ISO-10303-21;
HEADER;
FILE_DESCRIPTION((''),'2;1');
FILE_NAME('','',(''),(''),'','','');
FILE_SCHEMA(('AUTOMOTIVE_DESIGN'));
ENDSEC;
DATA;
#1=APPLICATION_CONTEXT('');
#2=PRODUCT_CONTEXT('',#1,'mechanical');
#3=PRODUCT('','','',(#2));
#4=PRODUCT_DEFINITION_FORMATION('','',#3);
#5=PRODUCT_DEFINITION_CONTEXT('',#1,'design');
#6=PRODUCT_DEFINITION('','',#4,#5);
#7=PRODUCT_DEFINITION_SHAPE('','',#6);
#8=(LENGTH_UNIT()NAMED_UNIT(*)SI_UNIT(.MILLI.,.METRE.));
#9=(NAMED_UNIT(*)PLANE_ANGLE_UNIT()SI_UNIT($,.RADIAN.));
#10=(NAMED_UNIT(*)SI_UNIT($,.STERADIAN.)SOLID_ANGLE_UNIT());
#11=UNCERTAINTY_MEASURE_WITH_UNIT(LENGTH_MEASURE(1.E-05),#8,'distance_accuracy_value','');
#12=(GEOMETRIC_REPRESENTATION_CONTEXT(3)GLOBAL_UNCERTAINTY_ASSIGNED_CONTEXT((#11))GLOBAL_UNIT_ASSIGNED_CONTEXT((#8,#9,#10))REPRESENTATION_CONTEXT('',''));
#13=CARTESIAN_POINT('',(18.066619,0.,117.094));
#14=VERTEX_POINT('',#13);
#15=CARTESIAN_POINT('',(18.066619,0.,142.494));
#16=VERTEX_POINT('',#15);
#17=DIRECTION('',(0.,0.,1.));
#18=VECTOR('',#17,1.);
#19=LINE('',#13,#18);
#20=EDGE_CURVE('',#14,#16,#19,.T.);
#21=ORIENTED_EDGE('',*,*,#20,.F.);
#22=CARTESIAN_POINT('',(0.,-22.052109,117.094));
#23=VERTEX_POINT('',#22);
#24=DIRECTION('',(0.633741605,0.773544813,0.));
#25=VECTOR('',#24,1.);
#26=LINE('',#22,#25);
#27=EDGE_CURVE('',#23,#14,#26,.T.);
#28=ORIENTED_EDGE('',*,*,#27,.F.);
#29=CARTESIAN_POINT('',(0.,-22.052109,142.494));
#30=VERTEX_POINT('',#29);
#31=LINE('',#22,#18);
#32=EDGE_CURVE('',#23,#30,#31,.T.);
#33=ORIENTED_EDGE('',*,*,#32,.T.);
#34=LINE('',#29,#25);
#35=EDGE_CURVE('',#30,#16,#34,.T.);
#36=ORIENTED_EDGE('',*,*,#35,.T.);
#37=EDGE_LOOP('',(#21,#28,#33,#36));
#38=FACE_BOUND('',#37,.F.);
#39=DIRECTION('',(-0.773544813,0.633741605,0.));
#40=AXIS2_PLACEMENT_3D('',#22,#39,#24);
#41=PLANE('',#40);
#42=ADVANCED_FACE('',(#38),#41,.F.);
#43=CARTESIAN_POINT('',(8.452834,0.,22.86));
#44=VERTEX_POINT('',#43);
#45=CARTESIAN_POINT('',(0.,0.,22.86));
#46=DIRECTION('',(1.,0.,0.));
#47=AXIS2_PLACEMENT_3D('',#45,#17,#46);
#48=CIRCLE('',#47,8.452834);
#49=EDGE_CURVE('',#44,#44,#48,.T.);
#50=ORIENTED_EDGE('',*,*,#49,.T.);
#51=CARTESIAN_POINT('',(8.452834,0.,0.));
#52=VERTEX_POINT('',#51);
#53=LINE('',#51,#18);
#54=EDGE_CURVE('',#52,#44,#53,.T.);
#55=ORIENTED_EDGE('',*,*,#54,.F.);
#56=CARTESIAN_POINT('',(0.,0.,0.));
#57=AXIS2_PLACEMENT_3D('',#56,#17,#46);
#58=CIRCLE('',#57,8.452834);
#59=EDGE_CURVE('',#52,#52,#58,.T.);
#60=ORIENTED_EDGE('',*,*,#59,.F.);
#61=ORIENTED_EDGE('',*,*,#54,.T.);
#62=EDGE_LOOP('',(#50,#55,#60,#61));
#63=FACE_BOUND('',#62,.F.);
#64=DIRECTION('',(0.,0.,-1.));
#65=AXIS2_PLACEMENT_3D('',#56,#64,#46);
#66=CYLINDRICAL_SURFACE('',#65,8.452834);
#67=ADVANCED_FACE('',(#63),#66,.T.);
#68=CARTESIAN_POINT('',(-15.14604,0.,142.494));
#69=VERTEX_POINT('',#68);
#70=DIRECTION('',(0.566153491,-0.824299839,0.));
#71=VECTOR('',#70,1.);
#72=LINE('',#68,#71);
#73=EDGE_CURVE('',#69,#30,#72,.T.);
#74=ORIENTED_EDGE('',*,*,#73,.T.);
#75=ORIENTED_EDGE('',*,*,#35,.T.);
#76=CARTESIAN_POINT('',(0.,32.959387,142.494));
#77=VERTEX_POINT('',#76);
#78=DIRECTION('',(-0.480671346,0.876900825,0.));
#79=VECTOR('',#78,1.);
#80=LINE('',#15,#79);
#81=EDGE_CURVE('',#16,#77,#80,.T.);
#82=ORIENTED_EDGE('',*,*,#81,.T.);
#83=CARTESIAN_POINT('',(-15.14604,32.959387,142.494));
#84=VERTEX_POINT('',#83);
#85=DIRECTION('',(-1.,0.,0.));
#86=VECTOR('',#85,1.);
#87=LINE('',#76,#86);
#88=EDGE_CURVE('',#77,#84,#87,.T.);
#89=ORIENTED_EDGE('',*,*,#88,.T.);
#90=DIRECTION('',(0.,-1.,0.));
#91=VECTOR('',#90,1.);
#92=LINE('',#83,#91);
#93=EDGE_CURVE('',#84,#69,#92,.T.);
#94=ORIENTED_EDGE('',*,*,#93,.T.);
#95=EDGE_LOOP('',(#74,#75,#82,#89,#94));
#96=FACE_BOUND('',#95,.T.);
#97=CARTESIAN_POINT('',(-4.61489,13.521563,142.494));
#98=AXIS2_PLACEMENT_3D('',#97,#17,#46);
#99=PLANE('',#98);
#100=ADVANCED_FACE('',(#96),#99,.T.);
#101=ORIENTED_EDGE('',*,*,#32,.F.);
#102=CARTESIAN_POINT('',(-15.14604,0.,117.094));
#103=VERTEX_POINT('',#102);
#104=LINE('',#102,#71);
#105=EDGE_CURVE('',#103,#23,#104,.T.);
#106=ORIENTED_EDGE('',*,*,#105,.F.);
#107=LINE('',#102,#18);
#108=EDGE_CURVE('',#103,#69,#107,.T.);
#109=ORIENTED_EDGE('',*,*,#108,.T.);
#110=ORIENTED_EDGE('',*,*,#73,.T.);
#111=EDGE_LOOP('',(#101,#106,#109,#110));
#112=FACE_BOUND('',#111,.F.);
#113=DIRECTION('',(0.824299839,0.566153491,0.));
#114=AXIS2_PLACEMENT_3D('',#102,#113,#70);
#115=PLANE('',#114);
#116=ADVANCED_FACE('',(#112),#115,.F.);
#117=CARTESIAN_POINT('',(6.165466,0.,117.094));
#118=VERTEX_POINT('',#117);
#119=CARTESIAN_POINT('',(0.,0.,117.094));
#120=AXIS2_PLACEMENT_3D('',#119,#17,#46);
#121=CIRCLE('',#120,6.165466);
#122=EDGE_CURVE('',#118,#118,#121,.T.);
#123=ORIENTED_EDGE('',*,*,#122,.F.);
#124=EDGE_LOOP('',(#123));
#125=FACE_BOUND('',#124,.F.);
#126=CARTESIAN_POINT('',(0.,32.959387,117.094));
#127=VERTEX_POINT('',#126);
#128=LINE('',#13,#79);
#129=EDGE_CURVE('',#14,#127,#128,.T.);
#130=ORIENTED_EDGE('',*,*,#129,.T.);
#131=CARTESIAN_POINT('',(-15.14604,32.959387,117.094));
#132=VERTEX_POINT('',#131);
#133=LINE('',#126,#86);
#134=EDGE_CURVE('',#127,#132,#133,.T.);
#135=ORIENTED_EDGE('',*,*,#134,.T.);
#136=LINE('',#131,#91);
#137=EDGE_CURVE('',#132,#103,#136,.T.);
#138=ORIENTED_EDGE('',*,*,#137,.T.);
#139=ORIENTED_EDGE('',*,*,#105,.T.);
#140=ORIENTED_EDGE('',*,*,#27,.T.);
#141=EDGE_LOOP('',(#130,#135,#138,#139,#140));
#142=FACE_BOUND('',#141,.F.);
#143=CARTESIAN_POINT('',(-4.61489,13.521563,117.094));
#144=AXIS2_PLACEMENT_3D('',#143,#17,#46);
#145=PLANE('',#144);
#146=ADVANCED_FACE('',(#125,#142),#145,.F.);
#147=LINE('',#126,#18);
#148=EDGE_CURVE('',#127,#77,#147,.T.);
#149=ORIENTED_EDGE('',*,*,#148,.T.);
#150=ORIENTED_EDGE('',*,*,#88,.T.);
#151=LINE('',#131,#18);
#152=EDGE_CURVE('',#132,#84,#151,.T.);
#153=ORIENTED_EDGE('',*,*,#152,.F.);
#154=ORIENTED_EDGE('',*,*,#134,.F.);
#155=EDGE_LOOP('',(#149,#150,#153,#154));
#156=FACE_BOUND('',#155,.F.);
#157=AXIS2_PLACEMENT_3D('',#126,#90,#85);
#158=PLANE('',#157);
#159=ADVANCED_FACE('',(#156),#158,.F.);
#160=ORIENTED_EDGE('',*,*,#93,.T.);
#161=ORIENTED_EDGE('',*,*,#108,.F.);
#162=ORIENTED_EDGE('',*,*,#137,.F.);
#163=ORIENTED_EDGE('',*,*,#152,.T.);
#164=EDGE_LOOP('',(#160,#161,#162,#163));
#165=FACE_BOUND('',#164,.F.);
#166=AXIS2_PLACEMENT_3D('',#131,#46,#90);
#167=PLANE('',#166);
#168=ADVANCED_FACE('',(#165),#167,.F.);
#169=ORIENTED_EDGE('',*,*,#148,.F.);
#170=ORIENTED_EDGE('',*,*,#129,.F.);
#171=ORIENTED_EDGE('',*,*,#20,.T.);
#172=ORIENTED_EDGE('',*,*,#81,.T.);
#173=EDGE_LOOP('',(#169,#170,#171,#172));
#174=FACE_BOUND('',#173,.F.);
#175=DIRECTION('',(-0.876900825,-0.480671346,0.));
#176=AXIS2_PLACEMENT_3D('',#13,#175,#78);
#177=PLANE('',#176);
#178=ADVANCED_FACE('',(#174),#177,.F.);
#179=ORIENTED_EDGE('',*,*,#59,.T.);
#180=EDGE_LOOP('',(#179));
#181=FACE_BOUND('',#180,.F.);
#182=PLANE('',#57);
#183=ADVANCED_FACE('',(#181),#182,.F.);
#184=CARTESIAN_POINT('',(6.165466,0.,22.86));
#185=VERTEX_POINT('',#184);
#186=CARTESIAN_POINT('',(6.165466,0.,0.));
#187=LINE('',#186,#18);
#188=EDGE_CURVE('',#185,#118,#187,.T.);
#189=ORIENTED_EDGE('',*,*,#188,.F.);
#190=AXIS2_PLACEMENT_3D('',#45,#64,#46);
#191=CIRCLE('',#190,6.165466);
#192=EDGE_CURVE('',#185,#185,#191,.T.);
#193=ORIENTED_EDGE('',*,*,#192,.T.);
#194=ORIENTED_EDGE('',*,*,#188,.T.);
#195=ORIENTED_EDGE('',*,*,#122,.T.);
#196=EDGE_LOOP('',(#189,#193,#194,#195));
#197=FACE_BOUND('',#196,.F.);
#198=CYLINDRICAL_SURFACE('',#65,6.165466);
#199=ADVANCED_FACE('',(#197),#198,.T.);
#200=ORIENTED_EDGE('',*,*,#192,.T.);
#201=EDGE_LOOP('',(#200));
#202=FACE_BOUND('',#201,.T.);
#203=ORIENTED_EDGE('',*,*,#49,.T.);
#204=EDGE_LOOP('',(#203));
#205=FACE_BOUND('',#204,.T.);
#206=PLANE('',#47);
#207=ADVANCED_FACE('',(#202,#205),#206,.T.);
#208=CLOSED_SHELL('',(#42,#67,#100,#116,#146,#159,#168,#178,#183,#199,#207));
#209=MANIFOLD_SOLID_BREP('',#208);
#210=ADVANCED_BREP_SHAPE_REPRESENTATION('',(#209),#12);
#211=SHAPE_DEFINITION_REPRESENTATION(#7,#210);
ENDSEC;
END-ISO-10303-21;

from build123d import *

# Parameters (mm, degrees)
F0_R     = 6.1654664674
F1_DEPTH = 117.094
F2_R     = 8.4528335809
F3_DEPTH = 22.86
F5_DEPTH = 25.4


with BuildPart() as f1:
    # F0 (on Top) → F1 (new body)
    with BuildSketch(Plane.XY):
        Circle(F0_R)
    extrude(amount=F1_DEPTH)

    # F2 (on Top) → F3 (join)
    with BuildSketch(Plane.XY):
        Circle(F2_R)
    extrude(amount=F3_DEPTH)

    # F4 (on face) → F5 (join)
    with BuildSketch(Plane.XY.offset(117.094)):
        Polygon((-15.1460403576, 0), (0, 0), (0, 32.9593867064), align=None)
        Polygon((0, -22.0521092415), (0, 0), (-15.1460403576, 0), align=None)
        Polygon((0, 32.9593867064), (0, 0), (18.0666185915, 0), align=None)
        Polygon((18.0666185915, 0), (0, 0), (0, -22.0521092415), align=None)
        Polygon((-15.1460403576, 0), (0, 32.9593867064), (-15.1460403576, 32.9593867064), align=None)
    extrude(amount=F5_DEPTH)


solid = f1.part
